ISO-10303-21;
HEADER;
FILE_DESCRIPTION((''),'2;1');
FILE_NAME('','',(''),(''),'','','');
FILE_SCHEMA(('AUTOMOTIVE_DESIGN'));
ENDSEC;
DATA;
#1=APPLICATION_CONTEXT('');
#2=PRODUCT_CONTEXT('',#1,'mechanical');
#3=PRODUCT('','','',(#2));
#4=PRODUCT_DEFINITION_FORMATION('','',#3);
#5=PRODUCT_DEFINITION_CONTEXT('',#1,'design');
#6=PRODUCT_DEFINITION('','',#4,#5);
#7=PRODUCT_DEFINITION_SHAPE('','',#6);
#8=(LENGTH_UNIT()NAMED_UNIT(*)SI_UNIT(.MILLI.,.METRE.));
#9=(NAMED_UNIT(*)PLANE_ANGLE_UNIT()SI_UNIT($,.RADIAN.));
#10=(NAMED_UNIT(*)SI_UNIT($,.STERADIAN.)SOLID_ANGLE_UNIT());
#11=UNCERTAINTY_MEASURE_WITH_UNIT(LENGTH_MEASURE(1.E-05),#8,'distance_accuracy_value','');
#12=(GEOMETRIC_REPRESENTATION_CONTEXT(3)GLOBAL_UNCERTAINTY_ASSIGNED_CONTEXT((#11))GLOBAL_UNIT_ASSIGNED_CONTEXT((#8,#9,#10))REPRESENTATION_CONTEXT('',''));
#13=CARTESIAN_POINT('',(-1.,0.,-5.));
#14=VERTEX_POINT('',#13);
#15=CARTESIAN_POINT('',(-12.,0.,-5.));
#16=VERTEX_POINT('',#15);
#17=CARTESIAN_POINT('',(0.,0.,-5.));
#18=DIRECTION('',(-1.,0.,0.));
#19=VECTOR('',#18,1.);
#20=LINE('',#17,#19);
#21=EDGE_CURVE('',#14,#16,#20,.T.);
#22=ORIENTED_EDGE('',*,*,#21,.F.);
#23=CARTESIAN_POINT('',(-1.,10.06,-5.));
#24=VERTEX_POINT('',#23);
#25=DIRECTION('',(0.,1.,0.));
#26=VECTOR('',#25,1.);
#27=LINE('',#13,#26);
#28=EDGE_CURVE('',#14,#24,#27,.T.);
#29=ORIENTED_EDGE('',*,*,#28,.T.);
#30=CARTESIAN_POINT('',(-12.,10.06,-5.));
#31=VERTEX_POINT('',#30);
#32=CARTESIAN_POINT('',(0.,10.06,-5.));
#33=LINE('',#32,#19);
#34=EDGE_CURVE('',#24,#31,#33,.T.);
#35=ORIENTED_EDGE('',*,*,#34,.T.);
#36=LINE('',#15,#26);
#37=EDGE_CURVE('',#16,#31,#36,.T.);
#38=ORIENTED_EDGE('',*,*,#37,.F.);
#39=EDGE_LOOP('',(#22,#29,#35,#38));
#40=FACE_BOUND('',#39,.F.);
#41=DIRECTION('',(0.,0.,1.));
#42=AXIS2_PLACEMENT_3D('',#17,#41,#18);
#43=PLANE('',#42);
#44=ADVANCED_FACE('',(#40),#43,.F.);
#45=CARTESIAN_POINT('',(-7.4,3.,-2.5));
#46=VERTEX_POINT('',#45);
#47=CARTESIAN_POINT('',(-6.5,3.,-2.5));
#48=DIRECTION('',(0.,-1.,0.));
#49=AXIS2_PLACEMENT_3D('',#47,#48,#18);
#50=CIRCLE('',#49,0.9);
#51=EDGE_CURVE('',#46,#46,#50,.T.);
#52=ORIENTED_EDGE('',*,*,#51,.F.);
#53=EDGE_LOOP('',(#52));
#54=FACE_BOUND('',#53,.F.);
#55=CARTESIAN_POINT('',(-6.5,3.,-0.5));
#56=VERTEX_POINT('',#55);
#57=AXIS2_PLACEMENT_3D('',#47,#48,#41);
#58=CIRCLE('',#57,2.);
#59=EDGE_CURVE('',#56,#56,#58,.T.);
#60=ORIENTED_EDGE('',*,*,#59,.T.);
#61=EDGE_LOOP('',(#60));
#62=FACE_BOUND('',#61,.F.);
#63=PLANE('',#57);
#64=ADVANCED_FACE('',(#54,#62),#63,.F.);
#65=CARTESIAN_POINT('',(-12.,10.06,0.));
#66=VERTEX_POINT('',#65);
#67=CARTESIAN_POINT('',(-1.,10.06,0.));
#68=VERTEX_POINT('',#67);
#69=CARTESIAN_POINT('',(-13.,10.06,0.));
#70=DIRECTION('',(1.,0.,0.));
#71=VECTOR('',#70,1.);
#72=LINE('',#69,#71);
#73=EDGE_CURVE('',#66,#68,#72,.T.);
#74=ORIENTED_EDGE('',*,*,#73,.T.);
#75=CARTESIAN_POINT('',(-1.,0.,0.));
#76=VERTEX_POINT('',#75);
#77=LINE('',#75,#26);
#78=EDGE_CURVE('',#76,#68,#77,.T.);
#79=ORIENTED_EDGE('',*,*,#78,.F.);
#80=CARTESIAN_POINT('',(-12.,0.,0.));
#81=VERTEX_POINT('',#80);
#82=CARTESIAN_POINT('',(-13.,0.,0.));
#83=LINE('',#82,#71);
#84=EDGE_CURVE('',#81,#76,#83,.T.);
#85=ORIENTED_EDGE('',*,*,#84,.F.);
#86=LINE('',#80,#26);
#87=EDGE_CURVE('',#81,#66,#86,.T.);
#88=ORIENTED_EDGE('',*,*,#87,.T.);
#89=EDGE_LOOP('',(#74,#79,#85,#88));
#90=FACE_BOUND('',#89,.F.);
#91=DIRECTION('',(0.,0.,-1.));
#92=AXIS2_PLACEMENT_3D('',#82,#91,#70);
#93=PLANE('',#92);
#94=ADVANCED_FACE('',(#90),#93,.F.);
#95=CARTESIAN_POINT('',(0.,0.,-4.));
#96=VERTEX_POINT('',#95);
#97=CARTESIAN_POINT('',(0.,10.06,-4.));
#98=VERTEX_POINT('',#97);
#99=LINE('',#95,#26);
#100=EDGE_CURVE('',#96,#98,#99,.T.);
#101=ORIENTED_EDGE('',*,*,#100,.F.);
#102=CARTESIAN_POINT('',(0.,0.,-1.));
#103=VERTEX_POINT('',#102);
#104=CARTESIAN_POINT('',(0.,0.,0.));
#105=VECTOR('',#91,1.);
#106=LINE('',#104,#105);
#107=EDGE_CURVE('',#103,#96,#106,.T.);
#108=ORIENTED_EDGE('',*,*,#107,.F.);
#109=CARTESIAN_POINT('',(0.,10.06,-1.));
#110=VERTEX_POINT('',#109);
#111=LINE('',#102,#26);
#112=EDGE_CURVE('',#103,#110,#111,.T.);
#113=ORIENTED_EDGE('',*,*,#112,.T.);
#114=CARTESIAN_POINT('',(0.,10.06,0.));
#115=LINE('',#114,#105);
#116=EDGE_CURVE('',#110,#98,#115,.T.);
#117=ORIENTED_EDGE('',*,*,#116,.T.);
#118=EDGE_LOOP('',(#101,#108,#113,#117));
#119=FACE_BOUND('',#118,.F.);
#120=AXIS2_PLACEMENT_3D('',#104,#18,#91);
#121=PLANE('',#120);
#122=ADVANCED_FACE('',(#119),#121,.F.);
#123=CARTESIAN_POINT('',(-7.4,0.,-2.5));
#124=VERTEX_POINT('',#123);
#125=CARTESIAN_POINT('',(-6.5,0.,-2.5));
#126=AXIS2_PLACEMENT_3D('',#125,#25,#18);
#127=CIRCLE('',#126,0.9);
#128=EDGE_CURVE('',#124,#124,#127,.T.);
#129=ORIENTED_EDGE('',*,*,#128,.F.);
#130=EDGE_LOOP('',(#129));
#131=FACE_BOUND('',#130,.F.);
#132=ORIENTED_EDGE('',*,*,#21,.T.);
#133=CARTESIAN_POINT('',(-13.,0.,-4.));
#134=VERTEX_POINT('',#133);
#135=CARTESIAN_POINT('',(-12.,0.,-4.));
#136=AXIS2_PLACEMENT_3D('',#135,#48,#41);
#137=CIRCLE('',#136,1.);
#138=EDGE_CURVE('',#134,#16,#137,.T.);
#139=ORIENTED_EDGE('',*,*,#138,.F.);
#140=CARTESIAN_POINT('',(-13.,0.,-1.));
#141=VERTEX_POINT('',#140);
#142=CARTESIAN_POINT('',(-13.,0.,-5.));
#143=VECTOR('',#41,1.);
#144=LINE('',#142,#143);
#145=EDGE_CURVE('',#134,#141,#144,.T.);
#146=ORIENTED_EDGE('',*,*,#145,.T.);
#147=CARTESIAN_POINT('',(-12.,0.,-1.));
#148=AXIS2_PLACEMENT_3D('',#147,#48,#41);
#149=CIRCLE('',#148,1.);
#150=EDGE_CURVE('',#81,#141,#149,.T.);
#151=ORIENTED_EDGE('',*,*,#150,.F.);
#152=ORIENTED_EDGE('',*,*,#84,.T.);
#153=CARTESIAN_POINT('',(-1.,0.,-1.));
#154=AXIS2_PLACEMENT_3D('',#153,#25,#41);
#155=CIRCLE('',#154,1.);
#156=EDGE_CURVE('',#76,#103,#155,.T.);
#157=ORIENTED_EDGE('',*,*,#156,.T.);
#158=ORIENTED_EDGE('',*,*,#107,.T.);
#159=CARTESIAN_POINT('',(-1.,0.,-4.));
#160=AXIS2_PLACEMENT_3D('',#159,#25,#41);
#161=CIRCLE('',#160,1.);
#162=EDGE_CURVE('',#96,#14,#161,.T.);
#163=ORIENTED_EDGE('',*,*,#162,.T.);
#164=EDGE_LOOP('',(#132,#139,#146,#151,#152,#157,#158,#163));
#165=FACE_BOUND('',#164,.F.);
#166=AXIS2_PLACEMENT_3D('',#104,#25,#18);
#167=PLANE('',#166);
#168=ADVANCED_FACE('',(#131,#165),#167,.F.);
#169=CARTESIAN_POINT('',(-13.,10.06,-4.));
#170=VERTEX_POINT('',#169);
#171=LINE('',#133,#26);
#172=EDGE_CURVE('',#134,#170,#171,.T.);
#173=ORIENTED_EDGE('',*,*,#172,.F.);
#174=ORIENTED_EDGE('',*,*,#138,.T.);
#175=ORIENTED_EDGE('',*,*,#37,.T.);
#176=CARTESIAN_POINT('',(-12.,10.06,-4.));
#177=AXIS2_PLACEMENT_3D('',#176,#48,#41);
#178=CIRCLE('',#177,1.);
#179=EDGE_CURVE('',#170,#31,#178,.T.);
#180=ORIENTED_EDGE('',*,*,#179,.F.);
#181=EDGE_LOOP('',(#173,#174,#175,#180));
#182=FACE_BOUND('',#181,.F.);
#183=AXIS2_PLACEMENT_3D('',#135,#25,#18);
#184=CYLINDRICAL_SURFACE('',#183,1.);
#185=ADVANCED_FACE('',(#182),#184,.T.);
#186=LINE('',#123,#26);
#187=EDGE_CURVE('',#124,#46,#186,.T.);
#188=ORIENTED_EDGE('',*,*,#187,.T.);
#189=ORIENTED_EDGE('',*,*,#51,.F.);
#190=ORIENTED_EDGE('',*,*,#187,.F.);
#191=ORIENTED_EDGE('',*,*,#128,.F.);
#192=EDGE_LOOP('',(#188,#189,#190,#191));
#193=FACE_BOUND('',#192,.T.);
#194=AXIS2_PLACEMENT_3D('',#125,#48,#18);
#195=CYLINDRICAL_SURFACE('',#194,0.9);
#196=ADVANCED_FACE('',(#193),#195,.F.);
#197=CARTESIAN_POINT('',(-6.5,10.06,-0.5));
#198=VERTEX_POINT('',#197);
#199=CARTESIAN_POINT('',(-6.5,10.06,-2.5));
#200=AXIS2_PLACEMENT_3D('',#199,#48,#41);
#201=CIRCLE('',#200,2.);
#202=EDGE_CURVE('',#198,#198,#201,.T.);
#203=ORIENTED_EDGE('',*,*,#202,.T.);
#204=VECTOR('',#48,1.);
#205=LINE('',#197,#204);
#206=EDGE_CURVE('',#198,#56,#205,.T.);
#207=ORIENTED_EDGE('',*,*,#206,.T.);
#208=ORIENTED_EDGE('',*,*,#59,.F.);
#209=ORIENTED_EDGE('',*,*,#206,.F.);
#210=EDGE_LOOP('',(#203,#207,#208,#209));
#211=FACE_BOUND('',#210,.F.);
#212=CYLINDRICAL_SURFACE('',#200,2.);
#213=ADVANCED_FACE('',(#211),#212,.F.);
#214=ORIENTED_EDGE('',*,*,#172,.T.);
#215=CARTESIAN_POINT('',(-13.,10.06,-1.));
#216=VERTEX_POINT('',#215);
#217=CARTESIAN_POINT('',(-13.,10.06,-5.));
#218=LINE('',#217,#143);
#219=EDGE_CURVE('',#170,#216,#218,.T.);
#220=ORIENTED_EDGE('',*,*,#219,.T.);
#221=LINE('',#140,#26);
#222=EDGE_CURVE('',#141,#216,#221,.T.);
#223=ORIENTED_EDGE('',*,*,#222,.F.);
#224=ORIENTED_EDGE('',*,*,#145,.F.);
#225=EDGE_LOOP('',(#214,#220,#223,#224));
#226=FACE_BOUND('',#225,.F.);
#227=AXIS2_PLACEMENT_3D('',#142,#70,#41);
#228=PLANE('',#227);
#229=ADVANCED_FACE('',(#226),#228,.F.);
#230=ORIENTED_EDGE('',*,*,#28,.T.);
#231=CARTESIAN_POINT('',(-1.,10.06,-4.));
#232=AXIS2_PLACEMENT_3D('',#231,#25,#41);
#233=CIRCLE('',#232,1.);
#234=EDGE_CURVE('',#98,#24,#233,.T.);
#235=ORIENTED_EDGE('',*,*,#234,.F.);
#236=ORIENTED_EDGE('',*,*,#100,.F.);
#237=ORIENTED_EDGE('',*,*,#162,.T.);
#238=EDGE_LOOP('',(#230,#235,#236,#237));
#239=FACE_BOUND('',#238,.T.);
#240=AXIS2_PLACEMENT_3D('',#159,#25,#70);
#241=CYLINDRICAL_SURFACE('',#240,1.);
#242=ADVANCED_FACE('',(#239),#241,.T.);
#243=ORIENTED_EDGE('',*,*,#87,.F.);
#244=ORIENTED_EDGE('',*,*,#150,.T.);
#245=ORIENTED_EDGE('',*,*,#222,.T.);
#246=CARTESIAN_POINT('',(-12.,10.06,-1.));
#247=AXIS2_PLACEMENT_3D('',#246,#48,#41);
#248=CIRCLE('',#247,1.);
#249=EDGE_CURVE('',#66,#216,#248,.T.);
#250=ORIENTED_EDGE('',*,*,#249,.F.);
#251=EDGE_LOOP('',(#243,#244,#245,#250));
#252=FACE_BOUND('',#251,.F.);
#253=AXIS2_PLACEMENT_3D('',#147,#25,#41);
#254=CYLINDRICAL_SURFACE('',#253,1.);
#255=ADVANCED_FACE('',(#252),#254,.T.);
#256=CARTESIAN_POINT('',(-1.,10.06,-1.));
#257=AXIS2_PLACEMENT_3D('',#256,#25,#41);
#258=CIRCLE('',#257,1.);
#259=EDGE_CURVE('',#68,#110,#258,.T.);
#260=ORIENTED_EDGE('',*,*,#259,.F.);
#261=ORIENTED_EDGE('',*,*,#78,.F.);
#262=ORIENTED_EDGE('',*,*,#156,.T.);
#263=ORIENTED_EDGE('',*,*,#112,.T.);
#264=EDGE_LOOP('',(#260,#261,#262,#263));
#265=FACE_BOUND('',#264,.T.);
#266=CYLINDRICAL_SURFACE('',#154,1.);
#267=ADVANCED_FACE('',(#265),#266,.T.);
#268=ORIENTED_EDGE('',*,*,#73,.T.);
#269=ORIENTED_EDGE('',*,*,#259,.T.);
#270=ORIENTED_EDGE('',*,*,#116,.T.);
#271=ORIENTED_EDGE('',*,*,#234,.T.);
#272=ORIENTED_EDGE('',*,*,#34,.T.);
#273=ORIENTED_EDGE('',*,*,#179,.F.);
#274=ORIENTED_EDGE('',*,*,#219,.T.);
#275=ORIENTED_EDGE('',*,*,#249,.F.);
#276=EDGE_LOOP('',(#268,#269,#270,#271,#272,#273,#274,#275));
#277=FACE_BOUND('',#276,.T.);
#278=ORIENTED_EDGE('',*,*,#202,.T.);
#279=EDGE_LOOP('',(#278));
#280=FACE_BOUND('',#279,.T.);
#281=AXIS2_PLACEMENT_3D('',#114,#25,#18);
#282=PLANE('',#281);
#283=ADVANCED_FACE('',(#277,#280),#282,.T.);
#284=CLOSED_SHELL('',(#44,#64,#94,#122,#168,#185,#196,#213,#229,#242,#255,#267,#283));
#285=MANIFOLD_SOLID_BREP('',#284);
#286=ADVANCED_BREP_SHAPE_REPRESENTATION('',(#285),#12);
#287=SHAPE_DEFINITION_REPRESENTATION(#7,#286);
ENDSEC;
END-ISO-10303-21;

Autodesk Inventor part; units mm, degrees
ref_plane "YZ Plane" through (0, 0, 0) normal (1, 0, 0) x (0, 1, 0)
ref_plane "XZ Plane" through (0, 0, 0) normal (0, 1, 0) x (-1, 0, 0)
ref_plane "XY Plane" through (0, 0, 0) normal (0, 0, 1) x (1, 0, 0)
sketch "Boceto1" plane through (0, 0, 0) normal (0, 1, 0) x (-1, 0, 0)
  line L0 (0, 0) -> (0, -5)
  line L1 (0, -5) -> (13, -5)
  line L2 (13, -5) -> (13, 0)
  line L3 (13, 0) -> (0, 0)
  circle A0 centre (6.5, -2.5) radius 0.9
  dimension "d0" = 5
  dimension "d1" = 13
  dimension "d2" = 1.8
extrude "Extrusión1" add sketch "Boceto1" along normal blind 10.06
sketch "Boceto2" plane through (0, 10.06, 0) normal (0, 1, 0) x (1, 0, 0)
  circle A0 centre (-6.5, 2.5) radius 0.9 projected
  point P0 (0, 0)
hole "Agujero1" at (-6.5, 10.06, -2.5) direction (0, -1, 0) diameter 4 depth 7.06
fillet "Empalme1" radius 1 4 edges at (0, 5.03, 0) (0, 5.03, -5) (-13, 5.03, 0) (-13, 5.03, -5)
properties part number "Soporte placa 2.0"
